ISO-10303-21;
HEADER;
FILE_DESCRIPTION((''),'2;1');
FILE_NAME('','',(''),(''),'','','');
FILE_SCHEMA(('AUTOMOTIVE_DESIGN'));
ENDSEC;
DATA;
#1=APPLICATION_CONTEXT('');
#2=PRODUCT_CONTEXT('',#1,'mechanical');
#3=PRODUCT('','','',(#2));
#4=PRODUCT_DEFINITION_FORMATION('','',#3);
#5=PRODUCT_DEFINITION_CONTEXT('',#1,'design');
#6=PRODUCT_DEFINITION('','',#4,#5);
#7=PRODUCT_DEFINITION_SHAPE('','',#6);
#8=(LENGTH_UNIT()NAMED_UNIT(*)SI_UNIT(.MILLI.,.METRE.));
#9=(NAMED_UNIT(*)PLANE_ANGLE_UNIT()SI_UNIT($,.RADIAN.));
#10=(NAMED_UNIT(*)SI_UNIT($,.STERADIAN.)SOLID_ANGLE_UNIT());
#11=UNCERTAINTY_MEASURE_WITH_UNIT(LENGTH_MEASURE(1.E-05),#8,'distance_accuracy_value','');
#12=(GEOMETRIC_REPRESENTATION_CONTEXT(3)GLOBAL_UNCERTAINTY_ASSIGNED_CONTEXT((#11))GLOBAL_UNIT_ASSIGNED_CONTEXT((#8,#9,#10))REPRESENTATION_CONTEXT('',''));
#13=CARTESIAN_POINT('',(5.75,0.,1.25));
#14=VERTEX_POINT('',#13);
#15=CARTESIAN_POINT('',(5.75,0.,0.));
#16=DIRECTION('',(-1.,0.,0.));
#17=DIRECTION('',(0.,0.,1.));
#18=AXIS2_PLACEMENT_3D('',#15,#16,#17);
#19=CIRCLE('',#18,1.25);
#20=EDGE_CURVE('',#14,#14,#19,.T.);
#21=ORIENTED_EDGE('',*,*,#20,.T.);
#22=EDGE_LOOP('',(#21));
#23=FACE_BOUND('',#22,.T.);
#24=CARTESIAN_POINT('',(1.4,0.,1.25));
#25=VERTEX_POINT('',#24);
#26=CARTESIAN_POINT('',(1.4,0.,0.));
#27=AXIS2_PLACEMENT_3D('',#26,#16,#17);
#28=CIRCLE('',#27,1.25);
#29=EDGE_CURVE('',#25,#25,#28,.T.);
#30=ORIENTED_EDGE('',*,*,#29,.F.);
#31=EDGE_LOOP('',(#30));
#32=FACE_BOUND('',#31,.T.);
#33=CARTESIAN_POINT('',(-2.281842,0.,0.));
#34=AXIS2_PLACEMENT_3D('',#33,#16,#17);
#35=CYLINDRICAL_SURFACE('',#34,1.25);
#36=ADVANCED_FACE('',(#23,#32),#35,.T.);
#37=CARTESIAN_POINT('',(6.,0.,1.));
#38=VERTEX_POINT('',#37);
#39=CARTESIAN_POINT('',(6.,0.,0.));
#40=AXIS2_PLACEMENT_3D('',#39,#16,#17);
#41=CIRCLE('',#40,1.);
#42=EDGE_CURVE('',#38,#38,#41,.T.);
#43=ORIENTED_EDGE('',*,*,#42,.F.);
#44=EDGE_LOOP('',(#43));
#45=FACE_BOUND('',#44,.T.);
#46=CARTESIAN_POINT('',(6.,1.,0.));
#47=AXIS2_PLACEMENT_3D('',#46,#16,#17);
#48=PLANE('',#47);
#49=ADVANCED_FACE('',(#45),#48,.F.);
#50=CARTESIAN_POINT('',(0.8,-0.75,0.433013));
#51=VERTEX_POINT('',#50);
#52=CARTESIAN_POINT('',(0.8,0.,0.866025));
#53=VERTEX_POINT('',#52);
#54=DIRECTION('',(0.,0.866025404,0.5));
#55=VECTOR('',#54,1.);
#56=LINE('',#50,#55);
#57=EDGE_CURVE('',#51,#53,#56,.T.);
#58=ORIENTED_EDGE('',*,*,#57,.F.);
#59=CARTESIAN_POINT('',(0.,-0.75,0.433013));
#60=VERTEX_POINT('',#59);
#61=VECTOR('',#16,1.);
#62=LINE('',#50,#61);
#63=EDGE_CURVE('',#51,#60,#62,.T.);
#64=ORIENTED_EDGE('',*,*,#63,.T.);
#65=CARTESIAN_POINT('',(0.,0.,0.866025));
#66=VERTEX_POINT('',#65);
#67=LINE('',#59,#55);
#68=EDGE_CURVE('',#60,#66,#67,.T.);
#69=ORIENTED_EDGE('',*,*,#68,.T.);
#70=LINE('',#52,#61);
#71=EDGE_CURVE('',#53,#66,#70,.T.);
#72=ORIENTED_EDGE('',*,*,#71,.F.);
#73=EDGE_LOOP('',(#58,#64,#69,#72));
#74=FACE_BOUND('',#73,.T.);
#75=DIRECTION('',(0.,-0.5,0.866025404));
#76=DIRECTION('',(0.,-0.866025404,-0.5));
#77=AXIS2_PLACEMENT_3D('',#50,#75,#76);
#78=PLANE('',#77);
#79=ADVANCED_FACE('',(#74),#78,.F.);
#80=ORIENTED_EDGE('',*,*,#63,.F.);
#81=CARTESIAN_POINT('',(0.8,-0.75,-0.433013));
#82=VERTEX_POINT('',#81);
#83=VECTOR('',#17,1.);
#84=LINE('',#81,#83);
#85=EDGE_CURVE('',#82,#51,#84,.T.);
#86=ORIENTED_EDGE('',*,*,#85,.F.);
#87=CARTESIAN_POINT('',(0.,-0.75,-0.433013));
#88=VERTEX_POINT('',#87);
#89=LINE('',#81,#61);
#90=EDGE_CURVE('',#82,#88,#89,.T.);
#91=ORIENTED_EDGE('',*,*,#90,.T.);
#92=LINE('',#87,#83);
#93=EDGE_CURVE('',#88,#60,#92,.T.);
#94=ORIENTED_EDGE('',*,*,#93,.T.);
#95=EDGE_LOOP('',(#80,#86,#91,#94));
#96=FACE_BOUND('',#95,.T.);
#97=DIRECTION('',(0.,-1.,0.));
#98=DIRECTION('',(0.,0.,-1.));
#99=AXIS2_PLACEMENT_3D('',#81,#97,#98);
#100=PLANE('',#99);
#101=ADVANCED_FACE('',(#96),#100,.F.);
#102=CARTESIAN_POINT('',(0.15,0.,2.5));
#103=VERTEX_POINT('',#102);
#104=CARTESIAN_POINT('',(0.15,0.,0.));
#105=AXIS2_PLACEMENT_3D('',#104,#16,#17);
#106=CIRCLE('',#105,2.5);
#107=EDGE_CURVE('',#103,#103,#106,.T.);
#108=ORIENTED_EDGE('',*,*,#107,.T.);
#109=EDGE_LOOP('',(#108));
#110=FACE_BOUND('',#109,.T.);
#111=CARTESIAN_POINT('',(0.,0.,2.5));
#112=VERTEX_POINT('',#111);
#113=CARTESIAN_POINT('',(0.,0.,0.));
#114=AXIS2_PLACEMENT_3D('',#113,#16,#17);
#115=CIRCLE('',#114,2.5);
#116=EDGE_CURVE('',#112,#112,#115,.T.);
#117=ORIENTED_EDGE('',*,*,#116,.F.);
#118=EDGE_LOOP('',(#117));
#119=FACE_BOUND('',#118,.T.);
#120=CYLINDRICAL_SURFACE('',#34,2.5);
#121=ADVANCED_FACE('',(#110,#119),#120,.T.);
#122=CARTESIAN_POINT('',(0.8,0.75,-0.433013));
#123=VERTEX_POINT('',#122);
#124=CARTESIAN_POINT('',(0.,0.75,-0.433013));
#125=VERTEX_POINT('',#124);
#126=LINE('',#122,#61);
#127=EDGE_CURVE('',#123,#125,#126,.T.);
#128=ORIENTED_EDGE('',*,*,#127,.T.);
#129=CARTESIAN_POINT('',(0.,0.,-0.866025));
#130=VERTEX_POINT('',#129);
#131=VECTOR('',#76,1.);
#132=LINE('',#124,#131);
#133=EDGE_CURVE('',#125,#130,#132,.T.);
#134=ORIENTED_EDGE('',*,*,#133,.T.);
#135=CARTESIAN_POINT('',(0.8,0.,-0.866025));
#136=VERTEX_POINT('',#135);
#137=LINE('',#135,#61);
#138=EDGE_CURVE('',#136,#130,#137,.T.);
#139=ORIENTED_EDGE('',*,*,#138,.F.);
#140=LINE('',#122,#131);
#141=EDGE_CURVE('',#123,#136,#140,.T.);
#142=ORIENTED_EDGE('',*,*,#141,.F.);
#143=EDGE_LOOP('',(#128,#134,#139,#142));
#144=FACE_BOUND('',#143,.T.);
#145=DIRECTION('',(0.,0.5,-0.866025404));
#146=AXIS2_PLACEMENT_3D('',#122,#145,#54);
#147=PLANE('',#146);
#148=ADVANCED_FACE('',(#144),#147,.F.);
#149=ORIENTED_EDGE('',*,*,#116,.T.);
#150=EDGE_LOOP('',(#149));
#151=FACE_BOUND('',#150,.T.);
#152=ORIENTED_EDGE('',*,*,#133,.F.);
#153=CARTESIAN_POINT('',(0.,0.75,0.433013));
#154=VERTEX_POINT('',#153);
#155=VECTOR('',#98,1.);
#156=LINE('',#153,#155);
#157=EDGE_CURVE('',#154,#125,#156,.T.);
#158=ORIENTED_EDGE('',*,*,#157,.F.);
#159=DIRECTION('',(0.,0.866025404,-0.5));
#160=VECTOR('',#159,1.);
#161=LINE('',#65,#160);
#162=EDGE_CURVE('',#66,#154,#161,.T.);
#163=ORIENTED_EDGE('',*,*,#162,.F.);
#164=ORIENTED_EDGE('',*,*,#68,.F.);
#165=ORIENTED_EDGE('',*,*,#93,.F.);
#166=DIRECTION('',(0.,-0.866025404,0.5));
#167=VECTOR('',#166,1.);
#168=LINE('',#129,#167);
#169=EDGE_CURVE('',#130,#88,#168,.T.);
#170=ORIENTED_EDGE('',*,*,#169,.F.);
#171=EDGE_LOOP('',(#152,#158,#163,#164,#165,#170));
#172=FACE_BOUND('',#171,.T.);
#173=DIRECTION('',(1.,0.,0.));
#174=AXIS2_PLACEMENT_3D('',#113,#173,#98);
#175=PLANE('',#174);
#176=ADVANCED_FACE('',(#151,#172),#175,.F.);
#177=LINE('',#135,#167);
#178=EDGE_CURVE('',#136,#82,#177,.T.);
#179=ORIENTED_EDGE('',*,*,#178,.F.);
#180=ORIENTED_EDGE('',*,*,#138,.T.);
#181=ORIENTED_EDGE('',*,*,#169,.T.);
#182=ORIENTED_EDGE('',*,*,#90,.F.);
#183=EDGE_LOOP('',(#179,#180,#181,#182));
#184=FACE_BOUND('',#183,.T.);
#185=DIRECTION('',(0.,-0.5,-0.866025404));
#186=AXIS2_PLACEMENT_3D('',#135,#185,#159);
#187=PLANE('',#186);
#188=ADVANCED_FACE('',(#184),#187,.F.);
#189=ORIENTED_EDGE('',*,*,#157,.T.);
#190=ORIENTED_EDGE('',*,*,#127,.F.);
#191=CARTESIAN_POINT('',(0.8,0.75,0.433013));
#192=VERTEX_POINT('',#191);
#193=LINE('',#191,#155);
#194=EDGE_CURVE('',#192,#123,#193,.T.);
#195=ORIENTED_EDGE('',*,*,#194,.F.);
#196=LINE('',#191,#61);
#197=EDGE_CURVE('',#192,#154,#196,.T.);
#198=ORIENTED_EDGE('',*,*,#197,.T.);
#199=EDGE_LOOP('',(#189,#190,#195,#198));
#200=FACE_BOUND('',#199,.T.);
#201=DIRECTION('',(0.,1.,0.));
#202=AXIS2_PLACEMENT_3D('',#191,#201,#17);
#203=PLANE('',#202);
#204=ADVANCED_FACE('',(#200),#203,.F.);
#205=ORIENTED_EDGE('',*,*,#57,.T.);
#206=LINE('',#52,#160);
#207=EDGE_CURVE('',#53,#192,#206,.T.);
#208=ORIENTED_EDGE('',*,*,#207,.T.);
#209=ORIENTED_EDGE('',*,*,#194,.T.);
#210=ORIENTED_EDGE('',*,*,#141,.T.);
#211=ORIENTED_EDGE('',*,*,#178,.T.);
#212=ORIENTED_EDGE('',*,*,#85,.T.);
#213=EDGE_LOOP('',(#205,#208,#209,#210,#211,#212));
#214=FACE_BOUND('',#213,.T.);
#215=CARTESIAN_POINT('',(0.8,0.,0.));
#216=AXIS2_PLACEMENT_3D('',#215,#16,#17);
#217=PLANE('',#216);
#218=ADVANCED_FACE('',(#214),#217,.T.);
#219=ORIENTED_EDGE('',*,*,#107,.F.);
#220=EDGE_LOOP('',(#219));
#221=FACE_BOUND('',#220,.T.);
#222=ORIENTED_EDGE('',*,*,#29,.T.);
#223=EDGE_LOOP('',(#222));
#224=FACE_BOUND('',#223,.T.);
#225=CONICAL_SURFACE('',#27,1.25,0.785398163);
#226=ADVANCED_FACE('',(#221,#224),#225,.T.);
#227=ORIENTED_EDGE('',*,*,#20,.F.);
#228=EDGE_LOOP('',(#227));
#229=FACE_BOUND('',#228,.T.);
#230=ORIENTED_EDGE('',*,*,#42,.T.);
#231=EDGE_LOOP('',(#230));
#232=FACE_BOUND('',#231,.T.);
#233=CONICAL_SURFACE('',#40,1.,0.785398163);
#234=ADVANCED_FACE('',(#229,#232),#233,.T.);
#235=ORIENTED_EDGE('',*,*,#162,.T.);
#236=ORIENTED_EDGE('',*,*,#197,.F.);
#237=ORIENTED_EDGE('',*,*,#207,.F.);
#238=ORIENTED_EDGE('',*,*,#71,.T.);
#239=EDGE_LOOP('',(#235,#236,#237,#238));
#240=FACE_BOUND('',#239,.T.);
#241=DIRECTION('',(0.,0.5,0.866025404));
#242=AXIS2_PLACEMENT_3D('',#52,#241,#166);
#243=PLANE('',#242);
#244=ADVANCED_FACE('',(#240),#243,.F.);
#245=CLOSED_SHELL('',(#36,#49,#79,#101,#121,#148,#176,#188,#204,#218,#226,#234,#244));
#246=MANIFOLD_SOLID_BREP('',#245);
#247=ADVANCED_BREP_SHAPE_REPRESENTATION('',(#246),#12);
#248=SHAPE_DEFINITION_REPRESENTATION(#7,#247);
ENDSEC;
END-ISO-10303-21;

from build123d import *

# Parameters (mm, degrees)
CUT_EXTRUDE1_DEPTH = 0.8


with BuildPart() as part:
    # Sketch2 → Revolve1 (revolve)
    with BuildSketch(Plane.XY):
        Polygon((0, 0), (0, 2.5), (0.15, 2.5), (1.4, 1.25), (5.75, 1.25), (6, 1), (6, 0), align=None)
    revolve(axis=Axis((-2.281841559, 0, 0), (1, 0, 0)))

    # Sketch3 → Cut-Extrude1 (cut)
    with BuildSketch(Plane.ZY):
        Polygon((0.433012702, -0.75), (0.866025404, 0), (0.433012702, 0.75), (-0.433012702, 0.75), (-0.866025404, 0), (-0.433012702, -0.75), align=None)
    extrude(amount=-CUT_EXTRUDE1_DEPTH, mode=Mode.SUBTRACT)


solid = part.part
